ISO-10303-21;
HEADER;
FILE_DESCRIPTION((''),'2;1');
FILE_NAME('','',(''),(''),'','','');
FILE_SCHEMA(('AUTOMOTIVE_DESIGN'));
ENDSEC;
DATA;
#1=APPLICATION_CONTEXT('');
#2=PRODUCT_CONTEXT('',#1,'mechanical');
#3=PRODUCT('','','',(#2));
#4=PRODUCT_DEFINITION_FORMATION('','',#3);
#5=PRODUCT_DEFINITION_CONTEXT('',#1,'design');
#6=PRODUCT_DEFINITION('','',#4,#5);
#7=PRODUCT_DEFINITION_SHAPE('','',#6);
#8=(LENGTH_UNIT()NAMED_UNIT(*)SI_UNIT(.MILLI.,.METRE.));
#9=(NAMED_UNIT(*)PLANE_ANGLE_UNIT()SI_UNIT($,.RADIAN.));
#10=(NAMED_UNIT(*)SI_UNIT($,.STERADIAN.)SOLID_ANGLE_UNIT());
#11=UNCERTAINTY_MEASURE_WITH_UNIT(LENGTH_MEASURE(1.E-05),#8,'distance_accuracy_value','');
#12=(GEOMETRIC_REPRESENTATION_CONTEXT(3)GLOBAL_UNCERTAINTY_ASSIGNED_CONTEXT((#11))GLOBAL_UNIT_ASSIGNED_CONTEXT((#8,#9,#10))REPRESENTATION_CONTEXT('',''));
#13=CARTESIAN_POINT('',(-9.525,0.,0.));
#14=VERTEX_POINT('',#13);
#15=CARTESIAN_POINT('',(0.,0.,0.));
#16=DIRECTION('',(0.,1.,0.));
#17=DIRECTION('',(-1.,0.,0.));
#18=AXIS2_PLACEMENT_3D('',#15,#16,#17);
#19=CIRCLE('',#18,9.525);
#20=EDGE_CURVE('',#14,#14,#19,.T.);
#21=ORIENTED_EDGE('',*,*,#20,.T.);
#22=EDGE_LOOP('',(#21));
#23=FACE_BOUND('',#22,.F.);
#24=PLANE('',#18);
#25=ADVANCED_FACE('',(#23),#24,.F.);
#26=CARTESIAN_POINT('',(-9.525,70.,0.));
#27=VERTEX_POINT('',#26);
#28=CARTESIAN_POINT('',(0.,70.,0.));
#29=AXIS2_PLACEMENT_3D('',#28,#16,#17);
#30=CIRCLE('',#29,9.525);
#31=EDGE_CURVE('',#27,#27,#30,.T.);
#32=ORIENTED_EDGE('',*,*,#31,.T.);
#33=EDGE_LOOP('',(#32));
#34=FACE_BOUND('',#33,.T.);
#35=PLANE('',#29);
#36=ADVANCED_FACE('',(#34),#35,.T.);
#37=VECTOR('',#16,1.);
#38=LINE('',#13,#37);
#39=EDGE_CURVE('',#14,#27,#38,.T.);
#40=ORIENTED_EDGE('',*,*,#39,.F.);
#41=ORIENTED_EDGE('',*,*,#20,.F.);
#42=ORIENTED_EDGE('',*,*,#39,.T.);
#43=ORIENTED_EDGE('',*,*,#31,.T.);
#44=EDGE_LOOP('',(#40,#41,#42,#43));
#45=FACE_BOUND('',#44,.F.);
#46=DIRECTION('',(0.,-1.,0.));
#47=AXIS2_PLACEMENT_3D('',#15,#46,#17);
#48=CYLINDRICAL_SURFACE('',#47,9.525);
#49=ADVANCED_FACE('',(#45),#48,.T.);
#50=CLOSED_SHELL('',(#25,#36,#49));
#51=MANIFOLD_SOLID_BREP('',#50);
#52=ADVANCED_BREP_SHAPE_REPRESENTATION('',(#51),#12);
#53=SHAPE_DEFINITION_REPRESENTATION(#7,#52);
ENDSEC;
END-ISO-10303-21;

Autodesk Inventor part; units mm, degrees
ref_plane "YZ Plane" through (0, 0, 0) normal (1, 0, 0) x (0, 1, 0)
ref_plane "XZ Plane" through (0, 0, 0) normal (0, 1, 0) x (-1, 0, 0)
ref_plane "XY Plane" through (0, 0, 0) normal (0, 0, 1) x (1, 0, 0)
sketch "Sketch2" plane through (0, 0, 0) normal (0, 1, 0) x (-1, 0, 0)
  circle A0 centre (0, 0) radius 9.525
  dimension "d0" = 19.05
extrude "Extrusion1" add sketch "Sketch2" along normal blind 70
properties part number "cylinder"
